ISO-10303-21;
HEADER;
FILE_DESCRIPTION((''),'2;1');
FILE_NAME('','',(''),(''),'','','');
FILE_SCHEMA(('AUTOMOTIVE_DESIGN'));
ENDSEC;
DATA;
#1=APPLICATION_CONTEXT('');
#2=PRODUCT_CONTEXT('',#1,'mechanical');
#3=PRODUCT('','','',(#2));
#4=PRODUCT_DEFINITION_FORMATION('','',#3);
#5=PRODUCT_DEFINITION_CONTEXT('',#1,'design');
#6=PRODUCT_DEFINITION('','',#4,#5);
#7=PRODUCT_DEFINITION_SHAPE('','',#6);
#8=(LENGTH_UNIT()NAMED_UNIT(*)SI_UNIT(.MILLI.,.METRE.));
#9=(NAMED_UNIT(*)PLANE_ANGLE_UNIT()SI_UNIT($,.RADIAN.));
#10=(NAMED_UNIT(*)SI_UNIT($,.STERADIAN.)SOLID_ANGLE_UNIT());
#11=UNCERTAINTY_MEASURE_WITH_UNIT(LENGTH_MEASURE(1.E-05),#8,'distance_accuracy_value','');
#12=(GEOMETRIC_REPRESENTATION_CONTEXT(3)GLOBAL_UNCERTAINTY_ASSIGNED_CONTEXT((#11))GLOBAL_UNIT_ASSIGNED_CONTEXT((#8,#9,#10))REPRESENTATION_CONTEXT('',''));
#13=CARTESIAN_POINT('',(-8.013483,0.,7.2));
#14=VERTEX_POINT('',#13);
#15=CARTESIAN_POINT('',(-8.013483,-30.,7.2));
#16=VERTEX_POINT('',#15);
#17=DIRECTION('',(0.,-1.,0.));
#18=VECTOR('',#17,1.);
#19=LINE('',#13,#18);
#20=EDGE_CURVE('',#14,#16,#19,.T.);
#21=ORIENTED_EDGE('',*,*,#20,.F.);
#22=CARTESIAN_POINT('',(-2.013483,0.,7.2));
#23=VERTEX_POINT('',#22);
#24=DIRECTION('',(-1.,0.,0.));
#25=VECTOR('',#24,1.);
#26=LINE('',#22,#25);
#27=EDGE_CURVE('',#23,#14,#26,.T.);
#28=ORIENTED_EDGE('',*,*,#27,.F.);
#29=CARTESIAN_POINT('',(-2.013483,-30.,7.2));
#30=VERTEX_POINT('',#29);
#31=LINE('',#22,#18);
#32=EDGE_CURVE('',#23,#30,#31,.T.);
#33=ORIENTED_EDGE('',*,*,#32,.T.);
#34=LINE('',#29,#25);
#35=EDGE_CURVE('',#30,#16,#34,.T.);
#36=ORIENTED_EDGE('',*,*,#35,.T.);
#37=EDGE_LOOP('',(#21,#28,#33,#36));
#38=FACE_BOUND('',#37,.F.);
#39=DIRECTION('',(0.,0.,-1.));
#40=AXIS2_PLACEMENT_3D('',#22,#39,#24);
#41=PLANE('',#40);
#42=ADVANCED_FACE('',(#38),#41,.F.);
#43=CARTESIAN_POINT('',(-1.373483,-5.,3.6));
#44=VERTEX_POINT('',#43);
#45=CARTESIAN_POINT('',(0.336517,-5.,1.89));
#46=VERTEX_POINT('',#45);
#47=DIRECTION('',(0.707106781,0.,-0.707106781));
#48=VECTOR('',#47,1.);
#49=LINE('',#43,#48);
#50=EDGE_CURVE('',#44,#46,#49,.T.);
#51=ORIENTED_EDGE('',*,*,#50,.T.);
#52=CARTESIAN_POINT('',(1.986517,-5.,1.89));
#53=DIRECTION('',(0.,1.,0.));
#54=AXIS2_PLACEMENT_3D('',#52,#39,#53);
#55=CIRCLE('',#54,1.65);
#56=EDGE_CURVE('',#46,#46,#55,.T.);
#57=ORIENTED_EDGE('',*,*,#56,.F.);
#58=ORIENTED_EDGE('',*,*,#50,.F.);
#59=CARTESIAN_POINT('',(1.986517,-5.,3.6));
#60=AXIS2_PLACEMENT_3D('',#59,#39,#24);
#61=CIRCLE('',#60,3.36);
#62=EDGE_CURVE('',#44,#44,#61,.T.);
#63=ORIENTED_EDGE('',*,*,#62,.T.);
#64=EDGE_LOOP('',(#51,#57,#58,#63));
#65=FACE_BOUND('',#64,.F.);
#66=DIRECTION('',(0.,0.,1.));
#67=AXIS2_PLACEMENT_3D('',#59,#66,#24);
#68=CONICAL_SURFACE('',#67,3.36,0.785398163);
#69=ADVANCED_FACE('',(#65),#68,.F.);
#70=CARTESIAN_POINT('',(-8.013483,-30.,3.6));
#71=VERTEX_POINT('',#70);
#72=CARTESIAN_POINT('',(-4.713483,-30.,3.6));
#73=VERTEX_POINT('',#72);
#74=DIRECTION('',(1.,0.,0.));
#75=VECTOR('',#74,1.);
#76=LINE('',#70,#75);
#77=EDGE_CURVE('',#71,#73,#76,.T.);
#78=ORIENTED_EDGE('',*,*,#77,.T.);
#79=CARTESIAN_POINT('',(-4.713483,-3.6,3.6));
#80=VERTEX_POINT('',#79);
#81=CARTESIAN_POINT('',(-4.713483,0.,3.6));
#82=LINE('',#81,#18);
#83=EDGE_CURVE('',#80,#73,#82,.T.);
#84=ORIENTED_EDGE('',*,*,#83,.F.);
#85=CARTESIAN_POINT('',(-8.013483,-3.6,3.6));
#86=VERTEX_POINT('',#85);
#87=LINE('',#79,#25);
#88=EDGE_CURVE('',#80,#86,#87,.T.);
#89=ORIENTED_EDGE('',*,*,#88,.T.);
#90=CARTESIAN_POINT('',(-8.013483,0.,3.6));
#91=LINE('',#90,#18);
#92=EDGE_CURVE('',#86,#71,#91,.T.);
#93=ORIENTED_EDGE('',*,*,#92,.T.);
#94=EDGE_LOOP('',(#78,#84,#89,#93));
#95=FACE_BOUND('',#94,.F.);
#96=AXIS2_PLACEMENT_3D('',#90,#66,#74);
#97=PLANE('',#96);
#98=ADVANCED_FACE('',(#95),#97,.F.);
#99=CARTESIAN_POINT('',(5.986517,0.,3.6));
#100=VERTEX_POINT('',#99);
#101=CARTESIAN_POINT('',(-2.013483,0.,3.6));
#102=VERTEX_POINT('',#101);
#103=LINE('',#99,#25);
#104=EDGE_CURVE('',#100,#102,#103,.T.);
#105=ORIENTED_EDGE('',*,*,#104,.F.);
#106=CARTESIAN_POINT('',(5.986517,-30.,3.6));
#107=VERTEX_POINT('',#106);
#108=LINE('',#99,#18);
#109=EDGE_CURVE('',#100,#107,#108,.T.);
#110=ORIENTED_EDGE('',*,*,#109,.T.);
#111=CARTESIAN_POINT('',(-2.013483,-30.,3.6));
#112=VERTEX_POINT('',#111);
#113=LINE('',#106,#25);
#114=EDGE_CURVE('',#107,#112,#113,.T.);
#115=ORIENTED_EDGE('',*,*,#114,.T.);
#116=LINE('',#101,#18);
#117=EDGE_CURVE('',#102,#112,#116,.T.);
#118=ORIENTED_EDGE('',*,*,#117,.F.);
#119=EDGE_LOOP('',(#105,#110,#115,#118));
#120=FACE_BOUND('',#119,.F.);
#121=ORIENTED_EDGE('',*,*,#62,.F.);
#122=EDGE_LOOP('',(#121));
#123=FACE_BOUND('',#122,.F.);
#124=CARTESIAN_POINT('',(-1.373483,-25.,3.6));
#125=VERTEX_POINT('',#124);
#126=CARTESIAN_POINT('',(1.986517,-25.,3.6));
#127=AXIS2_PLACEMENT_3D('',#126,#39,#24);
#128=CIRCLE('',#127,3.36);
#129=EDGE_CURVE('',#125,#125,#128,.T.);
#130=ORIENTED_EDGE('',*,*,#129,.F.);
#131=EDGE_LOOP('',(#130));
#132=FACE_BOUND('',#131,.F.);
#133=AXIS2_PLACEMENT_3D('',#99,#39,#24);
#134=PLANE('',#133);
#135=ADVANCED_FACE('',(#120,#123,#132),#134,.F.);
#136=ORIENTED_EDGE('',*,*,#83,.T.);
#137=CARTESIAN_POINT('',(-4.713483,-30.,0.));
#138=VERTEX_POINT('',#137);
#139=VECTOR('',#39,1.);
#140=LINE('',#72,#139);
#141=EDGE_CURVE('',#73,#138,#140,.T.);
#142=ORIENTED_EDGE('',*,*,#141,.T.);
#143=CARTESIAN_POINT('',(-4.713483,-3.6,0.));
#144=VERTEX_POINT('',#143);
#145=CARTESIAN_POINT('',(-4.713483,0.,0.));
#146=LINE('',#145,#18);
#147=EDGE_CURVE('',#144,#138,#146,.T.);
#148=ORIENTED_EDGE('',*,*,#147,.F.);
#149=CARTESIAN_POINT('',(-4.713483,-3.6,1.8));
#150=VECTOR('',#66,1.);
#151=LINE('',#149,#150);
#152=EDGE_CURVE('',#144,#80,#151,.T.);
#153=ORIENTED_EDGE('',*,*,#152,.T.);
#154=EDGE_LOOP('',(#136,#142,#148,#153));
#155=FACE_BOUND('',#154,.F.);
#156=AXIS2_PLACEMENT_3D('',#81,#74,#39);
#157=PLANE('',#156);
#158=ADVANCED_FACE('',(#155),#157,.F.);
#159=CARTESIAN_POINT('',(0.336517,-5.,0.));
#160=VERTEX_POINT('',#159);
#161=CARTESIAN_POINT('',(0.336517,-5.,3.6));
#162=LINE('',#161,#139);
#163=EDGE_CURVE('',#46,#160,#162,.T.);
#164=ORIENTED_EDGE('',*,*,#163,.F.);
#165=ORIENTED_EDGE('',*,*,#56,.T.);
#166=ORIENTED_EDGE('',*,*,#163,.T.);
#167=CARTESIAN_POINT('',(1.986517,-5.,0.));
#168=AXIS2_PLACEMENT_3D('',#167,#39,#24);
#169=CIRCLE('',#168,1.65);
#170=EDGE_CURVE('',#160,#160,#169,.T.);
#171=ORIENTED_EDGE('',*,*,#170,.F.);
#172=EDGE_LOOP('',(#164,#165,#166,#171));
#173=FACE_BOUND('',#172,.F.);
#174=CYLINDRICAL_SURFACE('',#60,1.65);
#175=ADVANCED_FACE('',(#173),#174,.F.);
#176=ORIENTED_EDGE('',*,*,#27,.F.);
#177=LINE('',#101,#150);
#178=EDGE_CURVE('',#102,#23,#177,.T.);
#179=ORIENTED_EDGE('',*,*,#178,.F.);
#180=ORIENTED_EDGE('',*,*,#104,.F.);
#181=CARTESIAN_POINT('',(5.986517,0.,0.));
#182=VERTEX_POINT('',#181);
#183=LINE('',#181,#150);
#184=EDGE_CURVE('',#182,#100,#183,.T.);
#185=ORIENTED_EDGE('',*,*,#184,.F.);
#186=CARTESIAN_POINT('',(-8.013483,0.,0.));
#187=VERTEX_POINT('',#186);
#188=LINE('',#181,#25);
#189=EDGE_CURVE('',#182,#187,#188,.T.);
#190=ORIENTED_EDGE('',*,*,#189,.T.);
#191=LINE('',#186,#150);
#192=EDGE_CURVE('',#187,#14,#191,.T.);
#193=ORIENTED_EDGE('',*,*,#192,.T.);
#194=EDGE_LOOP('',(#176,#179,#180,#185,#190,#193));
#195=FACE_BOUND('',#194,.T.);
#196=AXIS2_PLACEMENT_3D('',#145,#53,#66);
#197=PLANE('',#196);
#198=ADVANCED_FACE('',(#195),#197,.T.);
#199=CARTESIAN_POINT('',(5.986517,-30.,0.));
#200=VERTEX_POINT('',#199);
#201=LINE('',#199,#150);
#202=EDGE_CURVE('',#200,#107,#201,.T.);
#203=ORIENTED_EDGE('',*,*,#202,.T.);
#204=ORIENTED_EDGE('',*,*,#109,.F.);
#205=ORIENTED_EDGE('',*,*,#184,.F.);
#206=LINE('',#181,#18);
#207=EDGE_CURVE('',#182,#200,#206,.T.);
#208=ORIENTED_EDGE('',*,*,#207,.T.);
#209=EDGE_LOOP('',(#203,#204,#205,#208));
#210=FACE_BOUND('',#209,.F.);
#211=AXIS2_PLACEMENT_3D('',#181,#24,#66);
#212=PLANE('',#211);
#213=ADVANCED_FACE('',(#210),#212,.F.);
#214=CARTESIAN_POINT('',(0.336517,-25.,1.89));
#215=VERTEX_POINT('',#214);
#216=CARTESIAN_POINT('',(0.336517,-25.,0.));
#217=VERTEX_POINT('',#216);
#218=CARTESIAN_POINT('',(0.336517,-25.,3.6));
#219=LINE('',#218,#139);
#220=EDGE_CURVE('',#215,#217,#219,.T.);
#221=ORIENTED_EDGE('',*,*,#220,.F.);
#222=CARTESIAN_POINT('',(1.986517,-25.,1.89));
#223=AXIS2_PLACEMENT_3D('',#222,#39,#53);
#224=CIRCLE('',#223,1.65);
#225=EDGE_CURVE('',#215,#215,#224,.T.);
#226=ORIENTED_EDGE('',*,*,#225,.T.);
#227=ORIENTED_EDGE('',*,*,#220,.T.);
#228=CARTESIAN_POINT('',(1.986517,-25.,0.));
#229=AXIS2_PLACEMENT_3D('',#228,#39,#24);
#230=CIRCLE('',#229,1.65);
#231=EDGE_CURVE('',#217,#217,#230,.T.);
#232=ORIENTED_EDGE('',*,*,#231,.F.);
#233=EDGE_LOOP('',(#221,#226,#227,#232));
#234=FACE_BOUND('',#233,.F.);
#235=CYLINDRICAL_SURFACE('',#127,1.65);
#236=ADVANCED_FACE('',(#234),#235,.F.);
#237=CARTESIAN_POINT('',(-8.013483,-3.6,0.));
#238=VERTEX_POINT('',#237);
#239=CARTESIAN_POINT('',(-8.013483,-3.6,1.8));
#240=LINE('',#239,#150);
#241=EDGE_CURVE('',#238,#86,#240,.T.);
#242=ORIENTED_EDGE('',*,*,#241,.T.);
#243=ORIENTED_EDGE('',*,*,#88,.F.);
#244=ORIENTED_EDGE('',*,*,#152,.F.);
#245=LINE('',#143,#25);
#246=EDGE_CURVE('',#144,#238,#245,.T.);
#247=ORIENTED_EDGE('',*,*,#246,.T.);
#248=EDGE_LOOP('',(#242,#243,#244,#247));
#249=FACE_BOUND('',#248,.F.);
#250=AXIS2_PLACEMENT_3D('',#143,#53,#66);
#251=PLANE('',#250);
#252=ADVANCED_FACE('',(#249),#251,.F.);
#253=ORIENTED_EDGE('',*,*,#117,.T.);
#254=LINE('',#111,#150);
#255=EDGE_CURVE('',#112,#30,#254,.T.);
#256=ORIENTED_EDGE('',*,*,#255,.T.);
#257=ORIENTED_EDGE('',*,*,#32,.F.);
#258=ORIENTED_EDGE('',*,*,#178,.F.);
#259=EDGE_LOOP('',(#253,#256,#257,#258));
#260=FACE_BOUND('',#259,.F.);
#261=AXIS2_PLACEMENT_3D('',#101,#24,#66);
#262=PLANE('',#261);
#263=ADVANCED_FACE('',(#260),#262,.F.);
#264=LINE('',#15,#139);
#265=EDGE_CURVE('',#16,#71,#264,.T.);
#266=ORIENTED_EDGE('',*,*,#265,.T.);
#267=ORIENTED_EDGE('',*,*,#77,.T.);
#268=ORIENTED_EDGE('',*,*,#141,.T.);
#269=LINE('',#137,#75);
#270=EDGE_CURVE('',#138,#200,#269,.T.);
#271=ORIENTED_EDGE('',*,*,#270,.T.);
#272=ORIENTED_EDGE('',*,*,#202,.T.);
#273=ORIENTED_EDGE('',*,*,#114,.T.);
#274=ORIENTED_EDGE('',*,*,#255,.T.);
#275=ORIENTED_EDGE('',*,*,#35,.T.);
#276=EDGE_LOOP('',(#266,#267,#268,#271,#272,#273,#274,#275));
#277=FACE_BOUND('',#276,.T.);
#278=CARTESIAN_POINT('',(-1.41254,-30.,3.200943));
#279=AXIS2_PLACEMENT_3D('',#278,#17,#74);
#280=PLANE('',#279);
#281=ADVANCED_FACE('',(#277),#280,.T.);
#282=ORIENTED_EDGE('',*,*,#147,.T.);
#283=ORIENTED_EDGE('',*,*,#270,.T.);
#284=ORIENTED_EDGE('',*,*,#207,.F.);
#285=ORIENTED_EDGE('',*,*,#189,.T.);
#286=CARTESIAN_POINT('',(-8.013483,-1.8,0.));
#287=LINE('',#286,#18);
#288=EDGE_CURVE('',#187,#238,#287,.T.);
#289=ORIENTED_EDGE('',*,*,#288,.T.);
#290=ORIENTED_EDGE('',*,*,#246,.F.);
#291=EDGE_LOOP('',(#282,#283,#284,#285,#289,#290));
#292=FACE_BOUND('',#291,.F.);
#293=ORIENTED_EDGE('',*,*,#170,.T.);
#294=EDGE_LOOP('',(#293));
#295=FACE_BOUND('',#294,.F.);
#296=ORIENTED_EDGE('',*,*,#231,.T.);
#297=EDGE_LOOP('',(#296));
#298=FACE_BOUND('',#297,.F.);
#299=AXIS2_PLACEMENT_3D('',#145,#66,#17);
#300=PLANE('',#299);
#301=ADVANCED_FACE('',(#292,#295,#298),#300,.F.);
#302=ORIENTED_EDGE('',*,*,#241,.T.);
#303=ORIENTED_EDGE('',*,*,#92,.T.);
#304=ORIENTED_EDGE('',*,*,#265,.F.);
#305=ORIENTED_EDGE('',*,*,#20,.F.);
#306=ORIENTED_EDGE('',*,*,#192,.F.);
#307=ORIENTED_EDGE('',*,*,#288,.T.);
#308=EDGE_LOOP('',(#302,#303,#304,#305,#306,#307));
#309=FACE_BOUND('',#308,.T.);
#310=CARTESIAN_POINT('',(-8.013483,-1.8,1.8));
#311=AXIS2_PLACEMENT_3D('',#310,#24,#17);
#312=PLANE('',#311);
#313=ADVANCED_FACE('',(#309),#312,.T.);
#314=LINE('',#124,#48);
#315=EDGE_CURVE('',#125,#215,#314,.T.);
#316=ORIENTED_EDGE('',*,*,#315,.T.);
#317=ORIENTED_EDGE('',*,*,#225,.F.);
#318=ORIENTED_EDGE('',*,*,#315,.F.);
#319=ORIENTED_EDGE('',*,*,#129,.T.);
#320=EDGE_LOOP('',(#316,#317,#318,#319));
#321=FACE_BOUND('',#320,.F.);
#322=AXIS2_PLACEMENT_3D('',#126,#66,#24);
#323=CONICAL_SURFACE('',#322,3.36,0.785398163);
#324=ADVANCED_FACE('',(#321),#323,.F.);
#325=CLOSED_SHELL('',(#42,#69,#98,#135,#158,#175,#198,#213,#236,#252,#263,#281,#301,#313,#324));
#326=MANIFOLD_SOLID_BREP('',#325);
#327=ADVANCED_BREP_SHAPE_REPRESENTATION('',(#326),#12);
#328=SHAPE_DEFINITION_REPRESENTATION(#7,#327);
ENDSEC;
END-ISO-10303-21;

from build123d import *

# Parameters (mm, degrees)
F1_DEPTH       = 30
F3_D           = 3.3
F3_CSINK_D     = 6.72
F3_CSINK_ANGLE = 90
F4_W           = 3.6
F4_H           = 3.6
F5_DEPTH       = 3.3


with BuildPart() as f1:
    # F0 (on Front) → F1 (new body)
    with BuildSketch(Plane.XZ):
        Polygon((-4.7134831967, 0), (5.9865168033, 0), (5.9865168033, 3.6), (-2.0134831967, 3.6), (-2.0134831967, 7.2), (-8.0134831967, 7.2), (-8.0134831967, 3.6), (-4.7134831967, 3.6), align=None)
    extrude(amount=F1_DEPTH)

    # F3 (through all)
    with Locations(Plane.XY.offset(3.6)):
        with Locations((1.9865168033, -5), (1.9865168033, -25)):
            CounterSinkHole(F3_D / 2, F3_CSINK_D / 2, counter_sink_angle=F3_CSINK_ANGLE)

    # F4 (on face) → F5 (join, through all)
    with BuildSketch(Plane(origin=(-4.7134831967, 0, 0), x_dir=(0, -1, 0), z_dir=(-1, 0, 0))):
        with Locations((1.8, 1.8)):
            Rectangle(F4_W, F4_H)
    extrude(amount=F5_DEPTH)


solid = f1.part
